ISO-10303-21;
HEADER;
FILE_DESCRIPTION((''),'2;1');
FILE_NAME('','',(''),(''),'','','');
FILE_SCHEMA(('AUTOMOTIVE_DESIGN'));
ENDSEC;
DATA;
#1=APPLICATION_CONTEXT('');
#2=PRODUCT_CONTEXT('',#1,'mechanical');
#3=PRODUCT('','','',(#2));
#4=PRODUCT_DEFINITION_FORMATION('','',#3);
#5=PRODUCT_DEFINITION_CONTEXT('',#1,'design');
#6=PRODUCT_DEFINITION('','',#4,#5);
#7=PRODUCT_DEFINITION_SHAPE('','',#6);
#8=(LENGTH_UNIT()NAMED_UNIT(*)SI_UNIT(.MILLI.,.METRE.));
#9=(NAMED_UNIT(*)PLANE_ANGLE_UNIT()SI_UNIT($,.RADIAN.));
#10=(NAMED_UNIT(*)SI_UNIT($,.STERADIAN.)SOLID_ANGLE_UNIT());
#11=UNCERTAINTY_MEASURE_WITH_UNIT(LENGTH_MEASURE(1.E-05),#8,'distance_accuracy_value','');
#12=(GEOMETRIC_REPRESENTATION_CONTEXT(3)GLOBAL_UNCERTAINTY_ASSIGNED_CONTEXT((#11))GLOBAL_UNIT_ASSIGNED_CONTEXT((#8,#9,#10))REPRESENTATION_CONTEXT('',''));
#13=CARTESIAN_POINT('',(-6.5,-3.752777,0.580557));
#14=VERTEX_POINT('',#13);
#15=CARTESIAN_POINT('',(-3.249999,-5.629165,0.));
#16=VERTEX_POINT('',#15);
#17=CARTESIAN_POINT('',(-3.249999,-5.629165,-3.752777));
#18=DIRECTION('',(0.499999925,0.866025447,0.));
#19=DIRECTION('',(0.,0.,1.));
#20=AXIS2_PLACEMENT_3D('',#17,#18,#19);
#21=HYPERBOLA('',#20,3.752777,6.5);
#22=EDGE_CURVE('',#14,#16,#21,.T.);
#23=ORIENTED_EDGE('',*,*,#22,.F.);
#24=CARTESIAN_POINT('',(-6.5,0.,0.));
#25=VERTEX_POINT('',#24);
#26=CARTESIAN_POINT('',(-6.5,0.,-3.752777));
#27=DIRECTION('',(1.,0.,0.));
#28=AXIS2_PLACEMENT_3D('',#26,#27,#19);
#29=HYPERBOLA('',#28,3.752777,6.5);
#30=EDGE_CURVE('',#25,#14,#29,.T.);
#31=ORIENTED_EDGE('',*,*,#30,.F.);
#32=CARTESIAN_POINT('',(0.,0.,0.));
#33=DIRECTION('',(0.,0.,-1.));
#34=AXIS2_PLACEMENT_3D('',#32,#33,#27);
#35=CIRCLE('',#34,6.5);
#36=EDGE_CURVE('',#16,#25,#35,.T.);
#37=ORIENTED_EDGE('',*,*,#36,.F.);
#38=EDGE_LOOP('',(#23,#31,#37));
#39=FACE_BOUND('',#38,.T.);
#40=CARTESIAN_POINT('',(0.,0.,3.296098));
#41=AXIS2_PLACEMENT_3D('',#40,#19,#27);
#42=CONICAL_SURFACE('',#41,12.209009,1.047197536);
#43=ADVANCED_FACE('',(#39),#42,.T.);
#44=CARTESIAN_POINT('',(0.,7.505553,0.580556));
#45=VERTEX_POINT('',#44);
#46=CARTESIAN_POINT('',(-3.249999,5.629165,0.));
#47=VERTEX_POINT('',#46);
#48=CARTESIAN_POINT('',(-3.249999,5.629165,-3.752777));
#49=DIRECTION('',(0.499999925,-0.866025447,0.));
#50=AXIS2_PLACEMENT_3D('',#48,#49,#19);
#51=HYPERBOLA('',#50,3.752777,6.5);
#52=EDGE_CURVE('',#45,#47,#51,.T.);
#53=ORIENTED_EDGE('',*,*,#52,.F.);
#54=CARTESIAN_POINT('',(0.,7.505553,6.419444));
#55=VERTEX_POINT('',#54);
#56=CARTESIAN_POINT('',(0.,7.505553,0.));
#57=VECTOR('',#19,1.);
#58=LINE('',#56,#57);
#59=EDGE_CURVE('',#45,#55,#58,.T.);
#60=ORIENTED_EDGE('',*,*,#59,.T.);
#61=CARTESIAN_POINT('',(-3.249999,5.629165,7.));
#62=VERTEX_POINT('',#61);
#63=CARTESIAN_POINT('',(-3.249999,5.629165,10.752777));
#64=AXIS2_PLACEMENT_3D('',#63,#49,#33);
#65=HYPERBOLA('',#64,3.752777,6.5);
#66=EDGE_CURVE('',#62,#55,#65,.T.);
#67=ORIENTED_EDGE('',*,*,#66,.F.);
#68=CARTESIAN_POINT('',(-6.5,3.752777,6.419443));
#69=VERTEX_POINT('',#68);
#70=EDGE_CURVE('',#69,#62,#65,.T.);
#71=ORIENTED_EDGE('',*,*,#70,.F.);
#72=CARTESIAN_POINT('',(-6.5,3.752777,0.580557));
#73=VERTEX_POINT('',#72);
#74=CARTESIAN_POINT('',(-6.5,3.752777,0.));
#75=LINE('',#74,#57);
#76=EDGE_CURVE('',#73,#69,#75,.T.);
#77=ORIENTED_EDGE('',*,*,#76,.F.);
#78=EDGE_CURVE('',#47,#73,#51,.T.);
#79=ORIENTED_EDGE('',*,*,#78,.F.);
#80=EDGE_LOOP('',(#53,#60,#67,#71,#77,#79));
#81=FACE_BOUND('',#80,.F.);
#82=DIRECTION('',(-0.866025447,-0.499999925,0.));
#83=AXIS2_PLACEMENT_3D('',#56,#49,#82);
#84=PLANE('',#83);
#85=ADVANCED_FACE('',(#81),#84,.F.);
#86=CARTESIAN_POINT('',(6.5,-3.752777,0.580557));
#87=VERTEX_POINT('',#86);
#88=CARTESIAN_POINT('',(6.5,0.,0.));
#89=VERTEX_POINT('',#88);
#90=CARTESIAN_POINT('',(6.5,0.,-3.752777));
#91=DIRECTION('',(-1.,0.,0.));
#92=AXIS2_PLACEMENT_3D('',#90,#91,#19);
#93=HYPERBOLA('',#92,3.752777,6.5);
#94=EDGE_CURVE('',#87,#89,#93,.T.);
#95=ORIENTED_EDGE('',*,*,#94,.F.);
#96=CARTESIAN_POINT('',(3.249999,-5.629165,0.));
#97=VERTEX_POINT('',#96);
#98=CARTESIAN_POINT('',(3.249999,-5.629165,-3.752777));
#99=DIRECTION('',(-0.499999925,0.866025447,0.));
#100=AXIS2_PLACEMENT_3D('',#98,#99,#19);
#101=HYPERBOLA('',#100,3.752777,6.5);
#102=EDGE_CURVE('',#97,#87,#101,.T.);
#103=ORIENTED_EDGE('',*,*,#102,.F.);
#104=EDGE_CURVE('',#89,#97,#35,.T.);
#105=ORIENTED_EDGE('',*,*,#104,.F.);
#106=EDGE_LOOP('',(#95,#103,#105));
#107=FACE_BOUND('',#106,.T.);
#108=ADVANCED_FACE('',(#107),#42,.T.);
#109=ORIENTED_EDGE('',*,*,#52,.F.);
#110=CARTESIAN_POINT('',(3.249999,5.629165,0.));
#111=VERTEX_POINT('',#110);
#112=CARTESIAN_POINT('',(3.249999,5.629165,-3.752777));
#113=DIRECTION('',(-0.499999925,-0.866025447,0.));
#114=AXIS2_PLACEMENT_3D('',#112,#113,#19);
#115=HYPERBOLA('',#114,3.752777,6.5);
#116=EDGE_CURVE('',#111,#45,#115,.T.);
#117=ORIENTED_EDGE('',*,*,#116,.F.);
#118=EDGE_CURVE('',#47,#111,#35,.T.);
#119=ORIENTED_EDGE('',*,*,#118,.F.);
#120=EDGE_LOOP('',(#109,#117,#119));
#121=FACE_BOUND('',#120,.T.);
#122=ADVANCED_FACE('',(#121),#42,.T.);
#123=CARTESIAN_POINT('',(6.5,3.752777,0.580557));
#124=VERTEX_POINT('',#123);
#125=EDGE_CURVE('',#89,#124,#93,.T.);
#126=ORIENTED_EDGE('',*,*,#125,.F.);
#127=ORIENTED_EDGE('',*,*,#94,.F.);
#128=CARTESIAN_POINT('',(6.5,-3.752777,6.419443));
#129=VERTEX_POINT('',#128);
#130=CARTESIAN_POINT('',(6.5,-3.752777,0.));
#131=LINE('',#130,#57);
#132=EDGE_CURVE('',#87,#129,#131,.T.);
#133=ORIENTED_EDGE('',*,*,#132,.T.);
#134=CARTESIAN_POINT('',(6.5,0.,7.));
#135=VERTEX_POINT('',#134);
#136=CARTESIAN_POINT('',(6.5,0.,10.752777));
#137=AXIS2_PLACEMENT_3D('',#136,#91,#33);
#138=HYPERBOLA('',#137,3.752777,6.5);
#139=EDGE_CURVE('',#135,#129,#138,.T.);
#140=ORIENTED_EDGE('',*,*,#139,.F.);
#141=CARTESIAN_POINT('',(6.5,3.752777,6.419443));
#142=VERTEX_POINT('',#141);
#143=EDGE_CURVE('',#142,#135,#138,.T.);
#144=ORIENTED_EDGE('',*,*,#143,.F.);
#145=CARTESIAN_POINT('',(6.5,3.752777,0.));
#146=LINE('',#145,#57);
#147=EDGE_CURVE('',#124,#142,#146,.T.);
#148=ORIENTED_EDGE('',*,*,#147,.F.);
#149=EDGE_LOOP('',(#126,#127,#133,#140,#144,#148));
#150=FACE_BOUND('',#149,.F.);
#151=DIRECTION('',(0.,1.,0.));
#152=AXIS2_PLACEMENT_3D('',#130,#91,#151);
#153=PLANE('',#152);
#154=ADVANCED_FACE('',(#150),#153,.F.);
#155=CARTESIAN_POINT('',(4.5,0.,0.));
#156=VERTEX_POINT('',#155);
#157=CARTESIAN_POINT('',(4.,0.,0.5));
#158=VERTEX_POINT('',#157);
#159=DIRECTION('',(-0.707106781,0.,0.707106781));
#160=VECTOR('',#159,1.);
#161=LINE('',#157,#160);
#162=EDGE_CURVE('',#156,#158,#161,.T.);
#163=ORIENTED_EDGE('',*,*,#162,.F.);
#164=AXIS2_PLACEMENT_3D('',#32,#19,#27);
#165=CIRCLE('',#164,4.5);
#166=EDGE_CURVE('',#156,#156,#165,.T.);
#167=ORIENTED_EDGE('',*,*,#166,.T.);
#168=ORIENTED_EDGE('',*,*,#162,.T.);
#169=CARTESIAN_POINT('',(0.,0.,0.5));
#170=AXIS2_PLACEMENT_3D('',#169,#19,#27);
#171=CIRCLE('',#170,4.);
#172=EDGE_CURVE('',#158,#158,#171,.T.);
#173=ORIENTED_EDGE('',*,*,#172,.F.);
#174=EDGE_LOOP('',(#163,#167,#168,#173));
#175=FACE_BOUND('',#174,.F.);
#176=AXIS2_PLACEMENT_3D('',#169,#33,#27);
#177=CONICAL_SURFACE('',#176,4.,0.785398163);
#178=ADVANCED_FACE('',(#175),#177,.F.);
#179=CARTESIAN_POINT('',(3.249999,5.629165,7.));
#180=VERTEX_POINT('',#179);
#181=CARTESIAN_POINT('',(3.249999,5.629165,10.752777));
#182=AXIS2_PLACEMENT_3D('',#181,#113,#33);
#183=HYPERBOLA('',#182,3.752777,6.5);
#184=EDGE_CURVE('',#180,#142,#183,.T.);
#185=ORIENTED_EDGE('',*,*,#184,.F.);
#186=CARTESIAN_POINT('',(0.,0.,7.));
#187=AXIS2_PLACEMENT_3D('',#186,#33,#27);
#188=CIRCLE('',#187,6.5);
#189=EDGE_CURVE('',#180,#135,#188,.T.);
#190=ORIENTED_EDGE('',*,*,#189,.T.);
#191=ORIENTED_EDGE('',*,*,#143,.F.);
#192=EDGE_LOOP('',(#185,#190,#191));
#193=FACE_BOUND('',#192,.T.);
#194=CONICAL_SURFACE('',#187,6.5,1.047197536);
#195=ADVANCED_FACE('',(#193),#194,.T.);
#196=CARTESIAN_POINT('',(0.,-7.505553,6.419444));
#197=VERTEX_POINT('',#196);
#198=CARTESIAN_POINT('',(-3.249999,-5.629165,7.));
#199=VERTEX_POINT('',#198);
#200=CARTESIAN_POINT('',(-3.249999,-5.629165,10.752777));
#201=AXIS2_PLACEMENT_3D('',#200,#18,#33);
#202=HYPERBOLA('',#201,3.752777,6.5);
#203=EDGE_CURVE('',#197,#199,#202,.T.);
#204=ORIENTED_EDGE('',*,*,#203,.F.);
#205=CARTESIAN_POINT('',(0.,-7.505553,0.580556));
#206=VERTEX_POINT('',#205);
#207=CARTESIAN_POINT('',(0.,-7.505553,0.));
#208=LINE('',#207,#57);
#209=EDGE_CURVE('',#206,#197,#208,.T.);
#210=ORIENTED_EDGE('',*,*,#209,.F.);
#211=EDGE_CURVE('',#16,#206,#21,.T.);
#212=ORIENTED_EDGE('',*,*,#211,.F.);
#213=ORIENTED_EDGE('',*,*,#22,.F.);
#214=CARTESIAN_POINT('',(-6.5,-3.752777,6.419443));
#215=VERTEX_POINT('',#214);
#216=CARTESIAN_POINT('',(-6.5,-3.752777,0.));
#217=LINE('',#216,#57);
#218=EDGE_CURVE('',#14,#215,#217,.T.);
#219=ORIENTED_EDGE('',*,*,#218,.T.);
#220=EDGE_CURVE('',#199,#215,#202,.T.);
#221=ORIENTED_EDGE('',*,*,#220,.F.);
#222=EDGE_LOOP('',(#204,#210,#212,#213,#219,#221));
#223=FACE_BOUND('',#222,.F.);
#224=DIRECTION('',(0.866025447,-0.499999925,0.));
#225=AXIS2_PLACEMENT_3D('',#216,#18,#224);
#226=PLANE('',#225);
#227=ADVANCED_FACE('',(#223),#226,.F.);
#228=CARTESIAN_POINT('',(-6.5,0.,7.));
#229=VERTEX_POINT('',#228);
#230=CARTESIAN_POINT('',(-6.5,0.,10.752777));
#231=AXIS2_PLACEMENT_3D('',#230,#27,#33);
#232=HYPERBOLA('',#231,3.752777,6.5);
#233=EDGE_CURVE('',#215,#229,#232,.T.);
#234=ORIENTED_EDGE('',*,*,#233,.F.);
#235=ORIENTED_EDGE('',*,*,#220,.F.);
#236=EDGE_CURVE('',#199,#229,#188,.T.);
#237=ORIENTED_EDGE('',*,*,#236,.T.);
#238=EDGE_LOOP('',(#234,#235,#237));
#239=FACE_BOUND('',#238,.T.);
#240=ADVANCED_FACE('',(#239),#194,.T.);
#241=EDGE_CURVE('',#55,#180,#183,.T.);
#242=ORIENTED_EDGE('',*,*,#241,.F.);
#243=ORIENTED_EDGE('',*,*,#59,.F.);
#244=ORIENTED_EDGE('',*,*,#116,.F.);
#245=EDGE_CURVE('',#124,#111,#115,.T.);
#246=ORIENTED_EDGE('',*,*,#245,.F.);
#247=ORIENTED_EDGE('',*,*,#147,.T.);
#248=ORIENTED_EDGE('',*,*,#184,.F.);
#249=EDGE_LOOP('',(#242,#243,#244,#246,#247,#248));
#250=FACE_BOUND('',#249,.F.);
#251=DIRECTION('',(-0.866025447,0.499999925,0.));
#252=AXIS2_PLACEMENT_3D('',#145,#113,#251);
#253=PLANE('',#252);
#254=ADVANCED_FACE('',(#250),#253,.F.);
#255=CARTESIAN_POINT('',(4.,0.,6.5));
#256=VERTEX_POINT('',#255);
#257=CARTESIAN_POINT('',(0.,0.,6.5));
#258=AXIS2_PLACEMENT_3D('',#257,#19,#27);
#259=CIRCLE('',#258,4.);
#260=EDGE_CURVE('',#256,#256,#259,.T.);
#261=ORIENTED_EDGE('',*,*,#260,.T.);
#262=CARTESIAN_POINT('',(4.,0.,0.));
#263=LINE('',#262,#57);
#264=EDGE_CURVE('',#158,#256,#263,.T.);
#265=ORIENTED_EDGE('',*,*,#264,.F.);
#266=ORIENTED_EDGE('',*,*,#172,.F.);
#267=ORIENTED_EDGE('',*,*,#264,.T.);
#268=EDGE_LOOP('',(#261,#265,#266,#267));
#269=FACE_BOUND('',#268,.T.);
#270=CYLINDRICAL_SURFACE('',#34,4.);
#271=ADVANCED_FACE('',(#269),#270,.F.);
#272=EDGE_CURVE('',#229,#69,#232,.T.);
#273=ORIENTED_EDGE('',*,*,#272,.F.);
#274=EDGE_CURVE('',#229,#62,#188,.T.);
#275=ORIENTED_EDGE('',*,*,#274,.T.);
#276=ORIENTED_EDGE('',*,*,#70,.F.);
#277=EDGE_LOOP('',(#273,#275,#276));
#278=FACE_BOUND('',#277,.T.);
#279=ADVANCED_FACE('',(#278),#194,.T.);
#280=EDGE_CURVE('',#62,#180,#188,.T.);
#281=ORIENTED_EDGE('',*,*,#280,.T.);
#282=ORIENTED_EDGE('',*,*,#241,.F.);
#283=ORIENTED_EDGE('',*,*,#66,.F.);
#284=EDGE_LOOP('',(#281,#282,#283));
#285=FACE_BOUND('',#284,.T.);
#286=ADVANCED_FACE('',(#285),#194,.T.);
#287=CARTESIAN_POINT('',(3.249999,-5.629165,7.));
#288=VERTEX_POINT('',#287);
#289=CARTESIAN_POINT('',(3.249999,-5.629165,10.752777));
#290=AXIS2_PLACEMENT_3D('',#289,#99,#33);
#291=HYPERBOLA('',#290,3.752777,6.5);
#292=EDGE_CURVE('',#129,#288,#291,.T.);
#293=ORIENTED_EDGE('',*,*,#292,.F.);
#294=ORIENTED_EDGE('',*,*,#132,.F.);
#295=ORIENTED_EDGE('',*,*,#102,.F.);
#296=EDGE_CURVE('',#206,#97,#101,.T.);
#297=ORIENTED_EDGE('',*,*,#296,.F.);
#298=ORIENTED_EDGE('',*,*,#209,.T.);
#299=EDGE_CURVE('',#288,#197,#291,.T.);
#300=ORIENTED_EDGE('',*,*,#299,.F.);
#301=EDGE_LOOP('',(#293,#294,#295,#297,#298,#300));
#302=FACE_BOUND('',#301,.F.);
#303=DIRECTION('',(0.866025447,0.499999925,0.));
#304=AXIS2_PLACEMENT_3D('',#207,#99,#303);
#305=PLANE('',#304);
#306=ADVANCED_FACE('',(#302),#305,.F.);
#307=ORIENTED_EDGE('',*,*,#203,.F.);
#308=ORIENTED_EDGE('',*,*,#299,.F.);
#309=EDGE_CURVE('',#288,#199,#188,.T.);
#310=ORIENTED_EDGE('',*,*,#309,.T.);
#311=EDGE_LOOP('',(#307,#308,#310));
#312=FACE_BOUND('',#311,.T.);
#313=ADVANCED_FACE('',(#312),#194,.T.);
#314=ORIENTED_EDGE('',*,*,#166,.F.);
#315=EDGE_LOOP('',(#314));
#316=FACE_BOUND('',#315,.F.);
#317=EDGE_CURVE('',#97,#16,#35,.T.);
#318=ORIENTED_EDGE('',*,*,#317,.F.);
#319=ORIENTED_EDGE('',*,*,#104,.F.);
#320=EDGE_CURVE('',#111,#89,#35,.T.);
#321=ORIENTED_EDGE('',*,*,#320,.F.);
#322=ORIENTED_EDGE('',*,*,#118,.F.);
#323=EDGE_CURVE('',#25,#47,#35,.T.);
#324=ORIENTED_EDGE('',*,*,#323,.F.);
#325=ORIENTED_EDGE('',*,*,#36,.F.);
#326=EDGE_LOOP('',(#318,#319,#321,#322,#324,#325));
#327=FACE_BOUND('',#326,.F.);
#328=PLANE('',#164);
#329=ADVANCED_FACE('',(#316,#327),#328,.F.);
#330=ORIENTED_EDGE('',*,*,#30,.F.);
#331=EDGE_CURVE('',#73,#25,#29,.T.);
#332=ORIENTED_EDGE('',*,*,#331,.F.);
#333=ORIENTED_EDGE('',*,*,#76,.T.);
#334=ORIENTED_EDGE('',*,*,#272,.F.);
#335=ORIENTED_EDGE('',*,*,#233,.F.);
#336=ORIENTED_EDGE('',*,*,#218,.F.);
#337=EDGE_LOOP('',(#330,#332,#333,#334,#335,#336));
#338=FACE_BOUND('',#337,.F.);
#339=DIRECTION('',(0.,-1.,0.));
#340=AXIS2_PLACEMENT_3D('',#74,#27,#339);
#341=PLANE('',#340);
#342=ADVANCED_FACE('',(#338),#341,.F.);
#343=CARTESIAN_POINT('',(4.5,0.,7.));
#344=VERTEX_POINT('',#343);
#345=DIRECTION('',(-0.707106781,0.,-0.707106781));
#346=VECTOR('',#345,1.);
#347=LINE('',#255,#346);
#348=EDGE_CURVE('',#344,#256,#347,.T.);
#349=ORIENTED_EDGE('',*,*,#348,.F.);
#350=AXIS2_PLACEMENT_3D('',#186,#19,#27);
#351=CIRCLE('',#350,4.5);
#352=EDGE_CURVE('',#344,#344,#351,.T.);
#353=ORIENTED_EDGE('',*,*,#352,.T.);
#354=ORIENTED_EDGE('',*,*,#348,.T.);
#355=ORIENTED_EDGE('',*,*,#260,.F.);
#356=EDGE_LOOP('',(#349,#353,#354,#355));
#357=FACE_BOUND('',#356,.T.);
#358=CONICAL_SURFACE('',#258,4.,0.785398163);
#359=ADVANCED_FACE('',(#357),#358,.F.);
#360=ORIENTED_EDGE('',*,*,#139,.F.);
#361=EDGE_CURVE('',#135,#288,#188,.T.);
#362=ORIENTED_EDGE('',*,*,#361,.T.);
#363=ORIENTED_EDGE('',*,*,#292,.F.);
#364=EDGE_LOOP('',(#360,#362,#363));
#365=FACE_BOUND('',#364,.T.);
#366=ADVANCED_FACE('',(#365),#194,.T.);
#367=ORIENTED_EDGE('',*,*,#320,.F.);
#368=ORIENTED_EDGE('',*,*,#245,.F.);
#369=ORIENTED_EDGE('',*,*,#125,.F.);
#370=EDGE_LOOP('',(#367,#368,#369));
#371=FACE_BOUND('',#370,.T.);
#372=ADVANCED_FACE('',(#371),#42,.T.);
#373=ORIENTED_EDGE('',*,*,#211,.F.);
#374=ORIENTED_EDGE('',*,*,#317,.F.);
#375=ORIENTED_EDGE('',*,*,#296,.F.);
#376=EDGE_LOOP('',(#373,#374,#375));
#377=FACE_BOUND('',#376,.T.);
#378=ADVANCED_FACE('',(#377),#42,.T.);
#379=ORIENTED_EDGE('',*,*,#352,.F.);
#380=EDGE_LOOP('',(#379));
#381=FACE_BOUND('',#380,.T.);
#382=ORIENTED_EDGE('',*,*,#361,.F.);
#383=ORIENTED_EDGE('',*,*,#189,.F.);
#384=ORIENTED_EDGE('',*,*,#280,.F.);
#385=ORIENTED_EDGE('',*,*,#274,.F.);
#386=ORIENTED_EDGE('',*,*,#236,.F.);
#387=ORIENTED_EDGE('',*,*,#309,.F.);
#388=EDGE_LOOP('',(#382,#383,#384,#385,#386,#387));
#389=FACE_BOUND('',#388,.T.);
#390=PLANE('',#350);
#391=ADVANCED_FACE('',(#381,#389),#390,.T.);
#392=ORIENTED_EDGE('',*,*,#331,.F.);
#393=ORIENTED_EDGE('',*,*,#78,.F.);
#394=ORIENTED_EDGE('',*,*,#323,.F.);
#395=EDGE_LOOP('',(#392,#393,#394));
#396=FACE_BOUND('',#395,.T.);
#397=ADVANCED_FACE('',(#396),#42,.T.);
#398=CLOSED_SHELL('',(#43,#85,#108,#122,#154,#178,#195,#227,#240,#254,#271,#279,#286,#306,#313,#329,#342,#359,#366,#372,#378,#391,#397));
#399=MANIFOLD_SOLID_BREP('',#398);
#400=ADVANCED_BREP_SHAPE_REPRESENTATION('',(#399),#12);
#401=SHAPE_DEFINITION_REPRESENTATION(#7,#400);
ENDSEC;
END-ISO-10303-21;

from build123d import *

# Parameters (mm, degrees)
F0_R     = 4
F1_DEPTH = 7
F4_SIZE  = 0.5


with BuildPart() as f1:
    # F0 (on Top) → F1 (new body)
    with BuildSketch(Plane.XY):
        Polygon((0, -7.505553), (6.5, -3.752777), (6.5, 3.752777), (0, 7.505553), (-6.5, 3.752777), (-6.5, -3.752777), align=None)
        Circle(F0_R, mode=Mode.SUBTRACT)
    extrude(amount=F1_DEPTH)

    # F2 (on Front) → F3 (revolve, cut)
    with BuildSketch(Plane.XZ):
        Polygon((12.209009, 7), (6.5, 7), (12.209009, 3.703902), align=None)
        Polygon((12.209009, 3.296098), (6.5, 0), (12.209009, 0), align=None)
    revolve(axis=Axis((0, 0, 1.75), (0, 0, -1)), mode=Mode.SUBTRACT)

    # F4
    f4_edges = [f1.edges().sort_by_distance(p)[0] for p in [
        (4, 0, 3.5),
        (-4, 0, 0),
        (-4, 0, 7),
    ]]
    chamfer(f4_edges, length=F4_SIZE)


solid = f1.part
